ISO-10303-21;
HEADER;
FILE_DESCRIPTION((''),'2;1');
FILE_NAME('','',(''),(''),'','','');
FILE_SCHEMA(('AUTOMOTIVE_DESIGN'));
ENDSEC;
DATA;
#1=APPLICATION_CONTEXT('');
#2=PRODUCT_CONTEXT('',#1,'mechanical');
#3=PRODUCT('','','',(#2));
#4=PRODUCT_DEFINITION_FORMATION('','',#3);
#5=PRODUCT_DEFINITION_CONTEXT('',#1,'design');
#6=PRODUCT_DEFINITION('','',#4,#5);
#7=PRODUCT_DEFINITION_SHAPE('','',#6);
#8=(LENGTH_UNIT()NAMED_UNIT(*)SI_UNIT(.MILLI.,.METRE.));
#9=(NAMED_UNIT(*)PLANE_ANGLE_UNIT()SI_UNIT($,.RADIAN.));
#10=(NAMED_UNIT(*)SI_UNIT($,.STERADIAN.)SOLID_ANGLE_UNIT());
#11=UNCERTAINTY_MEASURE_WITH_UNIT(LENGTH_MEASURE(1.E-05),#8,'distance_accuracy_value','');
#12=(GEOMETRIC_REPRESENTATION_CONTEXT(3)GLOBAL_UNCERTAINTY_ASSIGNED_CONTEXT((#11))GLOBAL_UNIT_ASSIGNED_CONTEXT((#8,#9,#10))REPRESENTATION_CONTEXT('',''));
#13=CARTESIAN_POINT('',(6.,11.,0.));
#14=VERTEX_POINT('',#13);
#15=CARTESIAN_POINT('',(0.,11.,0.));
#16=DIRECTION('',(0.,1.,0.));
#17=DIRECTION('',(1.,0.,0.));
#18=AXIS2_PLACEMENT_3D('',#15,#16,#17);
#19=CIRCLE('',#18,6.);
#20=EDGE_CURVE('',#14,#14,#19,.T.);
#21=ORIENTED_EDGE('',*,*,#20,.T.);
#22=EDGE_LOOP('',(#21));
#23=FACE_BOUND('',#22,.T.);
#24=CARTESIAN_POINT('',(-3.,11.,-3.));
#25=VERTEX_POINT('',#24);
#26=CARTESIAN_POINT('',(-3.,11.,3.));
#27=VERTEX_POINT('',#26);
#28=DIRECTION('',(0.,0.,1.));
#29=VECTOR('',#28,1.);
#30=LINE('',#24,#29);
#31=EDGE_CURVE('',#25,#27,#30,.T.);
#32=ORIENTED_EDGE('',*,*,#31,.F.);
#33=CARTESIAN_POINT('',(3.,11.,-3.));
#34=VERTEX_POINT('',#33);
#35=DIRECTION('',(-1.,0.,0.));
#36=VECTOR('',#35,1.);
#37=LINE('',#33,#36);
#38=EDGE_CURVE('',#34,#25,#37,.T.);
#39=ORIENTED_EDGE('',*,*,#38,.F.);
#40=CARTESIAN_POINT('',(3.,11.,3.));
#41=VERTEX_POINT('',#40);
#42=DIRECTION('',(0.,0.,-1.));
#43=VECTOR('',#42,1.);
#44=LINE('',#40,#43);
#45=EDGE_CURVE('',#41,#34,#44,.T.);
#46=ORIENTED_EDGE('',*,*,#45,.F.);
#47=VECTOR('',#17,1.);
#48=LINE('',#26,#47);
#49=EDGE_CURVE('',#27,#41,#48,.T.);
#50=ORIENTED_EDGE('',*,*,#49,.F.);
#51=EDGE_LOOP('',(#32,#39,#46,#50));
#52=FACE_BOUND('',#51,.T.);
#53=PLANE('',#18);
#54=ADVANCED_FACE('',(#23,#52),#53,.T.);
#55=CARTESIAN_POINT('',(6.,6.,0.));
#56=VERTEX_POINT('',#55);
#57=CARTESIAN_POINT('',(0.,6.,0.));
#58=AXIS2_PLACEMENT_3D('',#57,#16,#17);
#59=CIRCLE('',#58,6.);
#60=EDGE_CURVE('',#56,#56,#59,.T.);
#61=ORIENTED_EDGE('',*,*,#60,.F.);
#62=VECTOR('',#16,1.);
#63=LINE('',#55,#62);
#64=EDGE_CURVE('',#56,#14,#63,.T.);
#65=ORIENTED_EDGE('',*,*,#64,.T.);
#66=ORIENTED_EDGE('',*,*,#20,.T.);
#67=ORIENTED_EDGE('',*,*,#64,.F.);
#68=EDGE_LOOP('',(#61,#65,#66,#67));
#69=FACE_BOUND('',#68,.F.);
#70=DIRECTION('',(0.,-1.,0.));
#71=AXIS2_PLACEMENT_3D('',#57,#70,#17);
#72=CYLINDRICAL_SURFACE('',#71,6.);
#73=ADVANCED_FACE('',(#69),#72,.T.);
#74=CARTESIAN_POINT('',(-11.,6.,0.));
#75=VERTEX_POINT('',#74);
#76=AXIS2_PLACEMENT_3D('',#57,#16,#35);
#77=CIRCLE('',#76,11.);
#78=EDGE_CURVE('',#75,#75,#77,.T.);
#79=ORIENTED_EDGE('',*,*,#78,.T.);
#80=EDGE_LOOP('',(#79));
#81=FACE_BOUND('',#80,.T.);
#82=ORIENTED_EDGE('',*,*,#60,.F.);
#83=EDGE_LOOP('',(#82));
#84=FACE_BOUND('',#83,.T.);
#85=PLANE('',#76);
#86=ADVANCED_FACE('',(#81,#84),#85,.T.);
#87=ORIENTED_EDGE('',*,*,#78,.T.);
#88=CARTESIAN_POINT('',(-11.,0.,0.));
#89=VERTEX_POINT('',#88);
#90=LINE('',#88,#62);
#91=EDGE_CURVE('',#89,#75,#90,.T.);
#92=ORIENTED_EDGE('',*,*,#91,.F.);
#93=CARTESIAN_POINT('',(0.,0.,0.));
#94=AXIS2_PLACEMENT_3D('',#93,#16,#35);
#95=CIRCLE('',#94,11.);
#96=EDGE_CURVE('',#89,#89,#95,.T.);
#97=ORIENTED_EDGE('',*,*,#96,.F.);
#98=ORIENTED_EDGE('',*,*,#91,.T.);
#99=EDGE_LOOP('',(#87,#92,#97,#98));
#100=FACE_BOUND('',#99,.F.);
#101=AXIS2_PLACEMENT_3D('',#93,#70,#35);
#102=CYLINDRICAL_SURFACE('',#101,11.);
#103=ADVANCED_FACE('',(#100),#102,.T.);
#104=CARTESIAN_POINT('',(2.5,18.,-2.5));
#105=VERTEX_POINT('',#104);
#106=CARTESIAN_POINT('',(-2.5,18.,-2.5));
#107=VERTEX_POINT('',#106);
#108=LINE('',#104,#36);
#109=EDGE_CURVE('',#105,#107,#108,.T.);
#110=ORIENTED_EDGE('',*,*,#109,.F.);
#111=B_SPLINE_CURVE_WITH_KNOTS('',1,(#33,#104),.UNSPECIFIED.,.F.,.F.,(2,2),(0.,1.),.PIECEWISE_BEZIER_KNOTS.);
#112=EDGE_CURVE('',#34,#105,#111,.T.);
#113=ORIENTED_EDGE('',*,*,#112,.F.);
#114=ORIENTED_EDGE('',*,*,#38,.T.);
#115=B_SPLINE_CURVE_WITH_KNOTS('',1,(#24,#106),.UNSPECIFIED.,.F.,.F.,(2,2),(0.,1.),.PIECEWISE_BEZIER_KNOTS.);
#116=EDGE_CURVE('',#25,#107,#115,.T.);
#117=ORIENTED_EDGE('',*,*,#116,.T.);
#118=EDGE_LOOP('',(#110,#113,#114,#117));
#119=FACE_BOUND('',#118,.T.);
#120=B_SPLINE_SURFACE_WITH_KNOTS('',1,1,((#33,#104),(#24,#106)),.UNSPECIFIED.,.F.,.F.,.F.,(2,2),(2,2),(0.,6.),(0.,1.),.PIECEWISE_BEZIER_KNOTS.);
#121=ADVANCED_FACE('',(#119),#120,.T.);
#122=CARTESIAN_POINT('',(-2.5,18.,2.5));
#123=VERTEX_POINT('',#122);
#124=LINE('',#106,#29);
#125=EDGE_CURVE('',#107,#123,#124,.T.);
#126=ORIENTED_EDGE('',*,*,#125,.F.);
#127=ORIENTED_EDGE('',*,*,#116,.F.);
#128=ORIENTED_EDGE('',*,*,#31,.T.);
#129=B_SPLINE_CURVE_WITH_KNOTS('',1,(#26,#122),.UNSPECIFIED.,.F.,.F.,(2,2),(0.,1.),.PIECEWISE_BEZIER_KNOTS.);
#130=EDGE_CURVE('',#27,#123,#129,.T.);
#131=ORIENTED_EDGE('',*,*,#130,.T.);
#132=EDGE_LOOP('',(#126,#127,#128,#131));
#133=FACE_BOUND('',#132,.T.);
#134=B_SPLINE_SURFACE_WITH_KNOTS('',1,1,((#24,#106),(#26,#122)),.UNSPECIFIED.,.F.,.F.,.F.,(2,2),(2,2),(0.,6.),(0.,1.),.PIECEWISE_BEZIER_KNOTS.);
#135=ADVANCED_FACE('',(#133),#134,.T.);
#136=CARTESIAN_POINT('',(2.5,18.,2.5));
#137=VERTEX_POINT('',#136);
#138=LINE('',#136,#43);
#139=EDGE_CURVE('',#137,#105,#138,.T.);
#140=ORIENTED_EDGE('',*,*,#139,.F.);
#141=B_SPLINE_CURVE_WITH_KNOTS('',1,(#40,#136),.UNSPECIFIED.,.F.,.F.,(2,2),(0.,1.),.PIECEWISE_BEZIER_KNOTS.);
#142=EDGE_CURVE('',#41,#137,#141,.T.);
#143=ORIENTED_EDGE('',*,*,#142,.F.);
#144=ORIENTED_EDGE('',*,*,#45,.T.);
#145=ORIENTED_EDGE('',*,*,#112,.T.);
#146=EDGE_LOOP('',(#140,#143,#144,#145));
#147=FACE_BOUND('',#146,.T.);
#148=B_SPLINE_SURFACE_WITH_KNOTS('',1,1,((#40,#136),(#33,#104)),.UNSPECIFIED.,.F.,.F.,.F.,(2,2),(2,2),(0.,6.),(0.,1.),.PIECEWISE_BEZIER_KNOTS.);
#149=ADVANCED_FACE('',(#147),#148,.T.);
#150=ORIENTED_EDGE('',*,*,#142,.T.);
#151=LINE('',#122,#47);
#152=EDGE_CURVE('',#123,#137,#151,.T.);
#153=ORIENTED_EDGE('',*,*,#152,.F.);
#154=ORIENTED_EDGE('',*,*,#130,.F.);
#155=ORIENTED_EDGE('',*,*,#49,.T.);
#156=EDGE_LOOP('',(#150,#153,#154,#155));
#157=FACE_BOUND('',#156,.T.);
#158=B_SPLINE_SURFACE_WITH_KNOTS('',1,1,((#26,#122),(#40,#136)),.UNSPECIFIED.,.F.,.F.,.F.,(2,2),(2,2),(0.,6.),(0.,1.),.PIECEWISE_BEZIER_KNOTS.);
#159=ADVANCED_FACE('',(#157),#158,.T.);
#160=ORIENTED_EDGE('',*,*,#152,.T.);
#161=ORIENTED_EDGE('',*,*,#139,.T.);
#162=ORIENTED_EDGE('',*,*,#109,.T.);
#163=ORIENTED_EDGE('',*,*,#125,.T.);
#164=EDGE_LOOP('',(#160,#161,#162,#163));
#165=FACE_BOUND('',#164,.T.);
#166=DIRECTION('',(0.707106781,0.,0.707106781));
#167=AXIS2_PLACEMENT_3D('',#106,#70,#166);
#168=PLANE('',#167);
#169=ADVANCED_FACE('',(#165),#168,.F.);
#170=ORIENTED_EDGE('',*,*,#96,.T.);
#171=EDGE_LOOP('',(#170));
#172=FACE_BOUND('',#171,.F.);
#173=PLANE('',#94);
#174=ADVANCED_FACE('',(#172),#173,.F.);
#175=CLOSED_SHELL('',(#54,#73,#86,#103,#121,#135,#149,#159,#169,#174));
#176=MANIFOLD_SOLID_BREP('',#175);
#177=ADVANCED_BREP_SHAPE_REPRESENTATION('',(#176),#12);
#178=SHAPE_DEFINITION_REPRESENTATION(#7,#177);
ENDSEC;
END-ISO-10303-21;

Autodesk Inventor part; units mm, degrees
ref_plane "YZ Plane" through (0, 0, 0) normal (1, 0, 0) x (0, 1, 0)
ref_plane "XZ Plane" through (0, 0, 0) normal (0, 1, 0) x (-1, 0, 0)
sketch "Sketch1" plane through (0, 0, 0) normal (0, 1, 0) x (-1, 0, 0)
  circle A0 centre (0, 0) radius 11
  dimension "d0" = 22
extrude "Extrusion1" add sketch "Sketch1" along normal blind 6
sketch "Sketch2" plane through (0, 6, 0) normal (0, 1, 0) x (1, 0, 0)
  circle A0 centre (0, 0) radius 6
  dimension "d3" = 12
extrude "Extrusion2" add sketch "Sketch2" along normal blind 5
sketch "Sketch3" plane through (0, 11, 0) normal (0, 1, 0) x (1, 0, 0)
  line L0 (-3, -3) -> (3, -3)
  line L1 (3, -3) -> (3, 3)
  line L2 (3, 3) -> (-3, 3)
  line L3 (-3, 3) -> (-3, -3)
  point P0 (0, 0)
  dimension "d6" = 6
  dimension "d7" = 6
ref_plane "Work Plane1" through (0, 18, 0) normal (0, 1, 0) x (1, 0, 0)
sketch "Sketch4" plane through (0, 18, 0) normal (0, 1, 0) x (1, 0, 0)
  line L0 (-2.5, -2.5) -> (2.5, -2.5)
  line L1 (2.5, -2.5) -> (2.5, 2.5)
  line L2 (2.5, 2.5) -> (-2.5, 2.5)
  line L3 (-2.5, 2.5) -> (-2.5, -2.5)
  point P0 (0, 0)
  dimension "d9" = 5
  dimension "d10" = 5
loft "Loft1" add profiles "Sketch3", "Sketch4"
properties part number "Driveshaft coupling end"
